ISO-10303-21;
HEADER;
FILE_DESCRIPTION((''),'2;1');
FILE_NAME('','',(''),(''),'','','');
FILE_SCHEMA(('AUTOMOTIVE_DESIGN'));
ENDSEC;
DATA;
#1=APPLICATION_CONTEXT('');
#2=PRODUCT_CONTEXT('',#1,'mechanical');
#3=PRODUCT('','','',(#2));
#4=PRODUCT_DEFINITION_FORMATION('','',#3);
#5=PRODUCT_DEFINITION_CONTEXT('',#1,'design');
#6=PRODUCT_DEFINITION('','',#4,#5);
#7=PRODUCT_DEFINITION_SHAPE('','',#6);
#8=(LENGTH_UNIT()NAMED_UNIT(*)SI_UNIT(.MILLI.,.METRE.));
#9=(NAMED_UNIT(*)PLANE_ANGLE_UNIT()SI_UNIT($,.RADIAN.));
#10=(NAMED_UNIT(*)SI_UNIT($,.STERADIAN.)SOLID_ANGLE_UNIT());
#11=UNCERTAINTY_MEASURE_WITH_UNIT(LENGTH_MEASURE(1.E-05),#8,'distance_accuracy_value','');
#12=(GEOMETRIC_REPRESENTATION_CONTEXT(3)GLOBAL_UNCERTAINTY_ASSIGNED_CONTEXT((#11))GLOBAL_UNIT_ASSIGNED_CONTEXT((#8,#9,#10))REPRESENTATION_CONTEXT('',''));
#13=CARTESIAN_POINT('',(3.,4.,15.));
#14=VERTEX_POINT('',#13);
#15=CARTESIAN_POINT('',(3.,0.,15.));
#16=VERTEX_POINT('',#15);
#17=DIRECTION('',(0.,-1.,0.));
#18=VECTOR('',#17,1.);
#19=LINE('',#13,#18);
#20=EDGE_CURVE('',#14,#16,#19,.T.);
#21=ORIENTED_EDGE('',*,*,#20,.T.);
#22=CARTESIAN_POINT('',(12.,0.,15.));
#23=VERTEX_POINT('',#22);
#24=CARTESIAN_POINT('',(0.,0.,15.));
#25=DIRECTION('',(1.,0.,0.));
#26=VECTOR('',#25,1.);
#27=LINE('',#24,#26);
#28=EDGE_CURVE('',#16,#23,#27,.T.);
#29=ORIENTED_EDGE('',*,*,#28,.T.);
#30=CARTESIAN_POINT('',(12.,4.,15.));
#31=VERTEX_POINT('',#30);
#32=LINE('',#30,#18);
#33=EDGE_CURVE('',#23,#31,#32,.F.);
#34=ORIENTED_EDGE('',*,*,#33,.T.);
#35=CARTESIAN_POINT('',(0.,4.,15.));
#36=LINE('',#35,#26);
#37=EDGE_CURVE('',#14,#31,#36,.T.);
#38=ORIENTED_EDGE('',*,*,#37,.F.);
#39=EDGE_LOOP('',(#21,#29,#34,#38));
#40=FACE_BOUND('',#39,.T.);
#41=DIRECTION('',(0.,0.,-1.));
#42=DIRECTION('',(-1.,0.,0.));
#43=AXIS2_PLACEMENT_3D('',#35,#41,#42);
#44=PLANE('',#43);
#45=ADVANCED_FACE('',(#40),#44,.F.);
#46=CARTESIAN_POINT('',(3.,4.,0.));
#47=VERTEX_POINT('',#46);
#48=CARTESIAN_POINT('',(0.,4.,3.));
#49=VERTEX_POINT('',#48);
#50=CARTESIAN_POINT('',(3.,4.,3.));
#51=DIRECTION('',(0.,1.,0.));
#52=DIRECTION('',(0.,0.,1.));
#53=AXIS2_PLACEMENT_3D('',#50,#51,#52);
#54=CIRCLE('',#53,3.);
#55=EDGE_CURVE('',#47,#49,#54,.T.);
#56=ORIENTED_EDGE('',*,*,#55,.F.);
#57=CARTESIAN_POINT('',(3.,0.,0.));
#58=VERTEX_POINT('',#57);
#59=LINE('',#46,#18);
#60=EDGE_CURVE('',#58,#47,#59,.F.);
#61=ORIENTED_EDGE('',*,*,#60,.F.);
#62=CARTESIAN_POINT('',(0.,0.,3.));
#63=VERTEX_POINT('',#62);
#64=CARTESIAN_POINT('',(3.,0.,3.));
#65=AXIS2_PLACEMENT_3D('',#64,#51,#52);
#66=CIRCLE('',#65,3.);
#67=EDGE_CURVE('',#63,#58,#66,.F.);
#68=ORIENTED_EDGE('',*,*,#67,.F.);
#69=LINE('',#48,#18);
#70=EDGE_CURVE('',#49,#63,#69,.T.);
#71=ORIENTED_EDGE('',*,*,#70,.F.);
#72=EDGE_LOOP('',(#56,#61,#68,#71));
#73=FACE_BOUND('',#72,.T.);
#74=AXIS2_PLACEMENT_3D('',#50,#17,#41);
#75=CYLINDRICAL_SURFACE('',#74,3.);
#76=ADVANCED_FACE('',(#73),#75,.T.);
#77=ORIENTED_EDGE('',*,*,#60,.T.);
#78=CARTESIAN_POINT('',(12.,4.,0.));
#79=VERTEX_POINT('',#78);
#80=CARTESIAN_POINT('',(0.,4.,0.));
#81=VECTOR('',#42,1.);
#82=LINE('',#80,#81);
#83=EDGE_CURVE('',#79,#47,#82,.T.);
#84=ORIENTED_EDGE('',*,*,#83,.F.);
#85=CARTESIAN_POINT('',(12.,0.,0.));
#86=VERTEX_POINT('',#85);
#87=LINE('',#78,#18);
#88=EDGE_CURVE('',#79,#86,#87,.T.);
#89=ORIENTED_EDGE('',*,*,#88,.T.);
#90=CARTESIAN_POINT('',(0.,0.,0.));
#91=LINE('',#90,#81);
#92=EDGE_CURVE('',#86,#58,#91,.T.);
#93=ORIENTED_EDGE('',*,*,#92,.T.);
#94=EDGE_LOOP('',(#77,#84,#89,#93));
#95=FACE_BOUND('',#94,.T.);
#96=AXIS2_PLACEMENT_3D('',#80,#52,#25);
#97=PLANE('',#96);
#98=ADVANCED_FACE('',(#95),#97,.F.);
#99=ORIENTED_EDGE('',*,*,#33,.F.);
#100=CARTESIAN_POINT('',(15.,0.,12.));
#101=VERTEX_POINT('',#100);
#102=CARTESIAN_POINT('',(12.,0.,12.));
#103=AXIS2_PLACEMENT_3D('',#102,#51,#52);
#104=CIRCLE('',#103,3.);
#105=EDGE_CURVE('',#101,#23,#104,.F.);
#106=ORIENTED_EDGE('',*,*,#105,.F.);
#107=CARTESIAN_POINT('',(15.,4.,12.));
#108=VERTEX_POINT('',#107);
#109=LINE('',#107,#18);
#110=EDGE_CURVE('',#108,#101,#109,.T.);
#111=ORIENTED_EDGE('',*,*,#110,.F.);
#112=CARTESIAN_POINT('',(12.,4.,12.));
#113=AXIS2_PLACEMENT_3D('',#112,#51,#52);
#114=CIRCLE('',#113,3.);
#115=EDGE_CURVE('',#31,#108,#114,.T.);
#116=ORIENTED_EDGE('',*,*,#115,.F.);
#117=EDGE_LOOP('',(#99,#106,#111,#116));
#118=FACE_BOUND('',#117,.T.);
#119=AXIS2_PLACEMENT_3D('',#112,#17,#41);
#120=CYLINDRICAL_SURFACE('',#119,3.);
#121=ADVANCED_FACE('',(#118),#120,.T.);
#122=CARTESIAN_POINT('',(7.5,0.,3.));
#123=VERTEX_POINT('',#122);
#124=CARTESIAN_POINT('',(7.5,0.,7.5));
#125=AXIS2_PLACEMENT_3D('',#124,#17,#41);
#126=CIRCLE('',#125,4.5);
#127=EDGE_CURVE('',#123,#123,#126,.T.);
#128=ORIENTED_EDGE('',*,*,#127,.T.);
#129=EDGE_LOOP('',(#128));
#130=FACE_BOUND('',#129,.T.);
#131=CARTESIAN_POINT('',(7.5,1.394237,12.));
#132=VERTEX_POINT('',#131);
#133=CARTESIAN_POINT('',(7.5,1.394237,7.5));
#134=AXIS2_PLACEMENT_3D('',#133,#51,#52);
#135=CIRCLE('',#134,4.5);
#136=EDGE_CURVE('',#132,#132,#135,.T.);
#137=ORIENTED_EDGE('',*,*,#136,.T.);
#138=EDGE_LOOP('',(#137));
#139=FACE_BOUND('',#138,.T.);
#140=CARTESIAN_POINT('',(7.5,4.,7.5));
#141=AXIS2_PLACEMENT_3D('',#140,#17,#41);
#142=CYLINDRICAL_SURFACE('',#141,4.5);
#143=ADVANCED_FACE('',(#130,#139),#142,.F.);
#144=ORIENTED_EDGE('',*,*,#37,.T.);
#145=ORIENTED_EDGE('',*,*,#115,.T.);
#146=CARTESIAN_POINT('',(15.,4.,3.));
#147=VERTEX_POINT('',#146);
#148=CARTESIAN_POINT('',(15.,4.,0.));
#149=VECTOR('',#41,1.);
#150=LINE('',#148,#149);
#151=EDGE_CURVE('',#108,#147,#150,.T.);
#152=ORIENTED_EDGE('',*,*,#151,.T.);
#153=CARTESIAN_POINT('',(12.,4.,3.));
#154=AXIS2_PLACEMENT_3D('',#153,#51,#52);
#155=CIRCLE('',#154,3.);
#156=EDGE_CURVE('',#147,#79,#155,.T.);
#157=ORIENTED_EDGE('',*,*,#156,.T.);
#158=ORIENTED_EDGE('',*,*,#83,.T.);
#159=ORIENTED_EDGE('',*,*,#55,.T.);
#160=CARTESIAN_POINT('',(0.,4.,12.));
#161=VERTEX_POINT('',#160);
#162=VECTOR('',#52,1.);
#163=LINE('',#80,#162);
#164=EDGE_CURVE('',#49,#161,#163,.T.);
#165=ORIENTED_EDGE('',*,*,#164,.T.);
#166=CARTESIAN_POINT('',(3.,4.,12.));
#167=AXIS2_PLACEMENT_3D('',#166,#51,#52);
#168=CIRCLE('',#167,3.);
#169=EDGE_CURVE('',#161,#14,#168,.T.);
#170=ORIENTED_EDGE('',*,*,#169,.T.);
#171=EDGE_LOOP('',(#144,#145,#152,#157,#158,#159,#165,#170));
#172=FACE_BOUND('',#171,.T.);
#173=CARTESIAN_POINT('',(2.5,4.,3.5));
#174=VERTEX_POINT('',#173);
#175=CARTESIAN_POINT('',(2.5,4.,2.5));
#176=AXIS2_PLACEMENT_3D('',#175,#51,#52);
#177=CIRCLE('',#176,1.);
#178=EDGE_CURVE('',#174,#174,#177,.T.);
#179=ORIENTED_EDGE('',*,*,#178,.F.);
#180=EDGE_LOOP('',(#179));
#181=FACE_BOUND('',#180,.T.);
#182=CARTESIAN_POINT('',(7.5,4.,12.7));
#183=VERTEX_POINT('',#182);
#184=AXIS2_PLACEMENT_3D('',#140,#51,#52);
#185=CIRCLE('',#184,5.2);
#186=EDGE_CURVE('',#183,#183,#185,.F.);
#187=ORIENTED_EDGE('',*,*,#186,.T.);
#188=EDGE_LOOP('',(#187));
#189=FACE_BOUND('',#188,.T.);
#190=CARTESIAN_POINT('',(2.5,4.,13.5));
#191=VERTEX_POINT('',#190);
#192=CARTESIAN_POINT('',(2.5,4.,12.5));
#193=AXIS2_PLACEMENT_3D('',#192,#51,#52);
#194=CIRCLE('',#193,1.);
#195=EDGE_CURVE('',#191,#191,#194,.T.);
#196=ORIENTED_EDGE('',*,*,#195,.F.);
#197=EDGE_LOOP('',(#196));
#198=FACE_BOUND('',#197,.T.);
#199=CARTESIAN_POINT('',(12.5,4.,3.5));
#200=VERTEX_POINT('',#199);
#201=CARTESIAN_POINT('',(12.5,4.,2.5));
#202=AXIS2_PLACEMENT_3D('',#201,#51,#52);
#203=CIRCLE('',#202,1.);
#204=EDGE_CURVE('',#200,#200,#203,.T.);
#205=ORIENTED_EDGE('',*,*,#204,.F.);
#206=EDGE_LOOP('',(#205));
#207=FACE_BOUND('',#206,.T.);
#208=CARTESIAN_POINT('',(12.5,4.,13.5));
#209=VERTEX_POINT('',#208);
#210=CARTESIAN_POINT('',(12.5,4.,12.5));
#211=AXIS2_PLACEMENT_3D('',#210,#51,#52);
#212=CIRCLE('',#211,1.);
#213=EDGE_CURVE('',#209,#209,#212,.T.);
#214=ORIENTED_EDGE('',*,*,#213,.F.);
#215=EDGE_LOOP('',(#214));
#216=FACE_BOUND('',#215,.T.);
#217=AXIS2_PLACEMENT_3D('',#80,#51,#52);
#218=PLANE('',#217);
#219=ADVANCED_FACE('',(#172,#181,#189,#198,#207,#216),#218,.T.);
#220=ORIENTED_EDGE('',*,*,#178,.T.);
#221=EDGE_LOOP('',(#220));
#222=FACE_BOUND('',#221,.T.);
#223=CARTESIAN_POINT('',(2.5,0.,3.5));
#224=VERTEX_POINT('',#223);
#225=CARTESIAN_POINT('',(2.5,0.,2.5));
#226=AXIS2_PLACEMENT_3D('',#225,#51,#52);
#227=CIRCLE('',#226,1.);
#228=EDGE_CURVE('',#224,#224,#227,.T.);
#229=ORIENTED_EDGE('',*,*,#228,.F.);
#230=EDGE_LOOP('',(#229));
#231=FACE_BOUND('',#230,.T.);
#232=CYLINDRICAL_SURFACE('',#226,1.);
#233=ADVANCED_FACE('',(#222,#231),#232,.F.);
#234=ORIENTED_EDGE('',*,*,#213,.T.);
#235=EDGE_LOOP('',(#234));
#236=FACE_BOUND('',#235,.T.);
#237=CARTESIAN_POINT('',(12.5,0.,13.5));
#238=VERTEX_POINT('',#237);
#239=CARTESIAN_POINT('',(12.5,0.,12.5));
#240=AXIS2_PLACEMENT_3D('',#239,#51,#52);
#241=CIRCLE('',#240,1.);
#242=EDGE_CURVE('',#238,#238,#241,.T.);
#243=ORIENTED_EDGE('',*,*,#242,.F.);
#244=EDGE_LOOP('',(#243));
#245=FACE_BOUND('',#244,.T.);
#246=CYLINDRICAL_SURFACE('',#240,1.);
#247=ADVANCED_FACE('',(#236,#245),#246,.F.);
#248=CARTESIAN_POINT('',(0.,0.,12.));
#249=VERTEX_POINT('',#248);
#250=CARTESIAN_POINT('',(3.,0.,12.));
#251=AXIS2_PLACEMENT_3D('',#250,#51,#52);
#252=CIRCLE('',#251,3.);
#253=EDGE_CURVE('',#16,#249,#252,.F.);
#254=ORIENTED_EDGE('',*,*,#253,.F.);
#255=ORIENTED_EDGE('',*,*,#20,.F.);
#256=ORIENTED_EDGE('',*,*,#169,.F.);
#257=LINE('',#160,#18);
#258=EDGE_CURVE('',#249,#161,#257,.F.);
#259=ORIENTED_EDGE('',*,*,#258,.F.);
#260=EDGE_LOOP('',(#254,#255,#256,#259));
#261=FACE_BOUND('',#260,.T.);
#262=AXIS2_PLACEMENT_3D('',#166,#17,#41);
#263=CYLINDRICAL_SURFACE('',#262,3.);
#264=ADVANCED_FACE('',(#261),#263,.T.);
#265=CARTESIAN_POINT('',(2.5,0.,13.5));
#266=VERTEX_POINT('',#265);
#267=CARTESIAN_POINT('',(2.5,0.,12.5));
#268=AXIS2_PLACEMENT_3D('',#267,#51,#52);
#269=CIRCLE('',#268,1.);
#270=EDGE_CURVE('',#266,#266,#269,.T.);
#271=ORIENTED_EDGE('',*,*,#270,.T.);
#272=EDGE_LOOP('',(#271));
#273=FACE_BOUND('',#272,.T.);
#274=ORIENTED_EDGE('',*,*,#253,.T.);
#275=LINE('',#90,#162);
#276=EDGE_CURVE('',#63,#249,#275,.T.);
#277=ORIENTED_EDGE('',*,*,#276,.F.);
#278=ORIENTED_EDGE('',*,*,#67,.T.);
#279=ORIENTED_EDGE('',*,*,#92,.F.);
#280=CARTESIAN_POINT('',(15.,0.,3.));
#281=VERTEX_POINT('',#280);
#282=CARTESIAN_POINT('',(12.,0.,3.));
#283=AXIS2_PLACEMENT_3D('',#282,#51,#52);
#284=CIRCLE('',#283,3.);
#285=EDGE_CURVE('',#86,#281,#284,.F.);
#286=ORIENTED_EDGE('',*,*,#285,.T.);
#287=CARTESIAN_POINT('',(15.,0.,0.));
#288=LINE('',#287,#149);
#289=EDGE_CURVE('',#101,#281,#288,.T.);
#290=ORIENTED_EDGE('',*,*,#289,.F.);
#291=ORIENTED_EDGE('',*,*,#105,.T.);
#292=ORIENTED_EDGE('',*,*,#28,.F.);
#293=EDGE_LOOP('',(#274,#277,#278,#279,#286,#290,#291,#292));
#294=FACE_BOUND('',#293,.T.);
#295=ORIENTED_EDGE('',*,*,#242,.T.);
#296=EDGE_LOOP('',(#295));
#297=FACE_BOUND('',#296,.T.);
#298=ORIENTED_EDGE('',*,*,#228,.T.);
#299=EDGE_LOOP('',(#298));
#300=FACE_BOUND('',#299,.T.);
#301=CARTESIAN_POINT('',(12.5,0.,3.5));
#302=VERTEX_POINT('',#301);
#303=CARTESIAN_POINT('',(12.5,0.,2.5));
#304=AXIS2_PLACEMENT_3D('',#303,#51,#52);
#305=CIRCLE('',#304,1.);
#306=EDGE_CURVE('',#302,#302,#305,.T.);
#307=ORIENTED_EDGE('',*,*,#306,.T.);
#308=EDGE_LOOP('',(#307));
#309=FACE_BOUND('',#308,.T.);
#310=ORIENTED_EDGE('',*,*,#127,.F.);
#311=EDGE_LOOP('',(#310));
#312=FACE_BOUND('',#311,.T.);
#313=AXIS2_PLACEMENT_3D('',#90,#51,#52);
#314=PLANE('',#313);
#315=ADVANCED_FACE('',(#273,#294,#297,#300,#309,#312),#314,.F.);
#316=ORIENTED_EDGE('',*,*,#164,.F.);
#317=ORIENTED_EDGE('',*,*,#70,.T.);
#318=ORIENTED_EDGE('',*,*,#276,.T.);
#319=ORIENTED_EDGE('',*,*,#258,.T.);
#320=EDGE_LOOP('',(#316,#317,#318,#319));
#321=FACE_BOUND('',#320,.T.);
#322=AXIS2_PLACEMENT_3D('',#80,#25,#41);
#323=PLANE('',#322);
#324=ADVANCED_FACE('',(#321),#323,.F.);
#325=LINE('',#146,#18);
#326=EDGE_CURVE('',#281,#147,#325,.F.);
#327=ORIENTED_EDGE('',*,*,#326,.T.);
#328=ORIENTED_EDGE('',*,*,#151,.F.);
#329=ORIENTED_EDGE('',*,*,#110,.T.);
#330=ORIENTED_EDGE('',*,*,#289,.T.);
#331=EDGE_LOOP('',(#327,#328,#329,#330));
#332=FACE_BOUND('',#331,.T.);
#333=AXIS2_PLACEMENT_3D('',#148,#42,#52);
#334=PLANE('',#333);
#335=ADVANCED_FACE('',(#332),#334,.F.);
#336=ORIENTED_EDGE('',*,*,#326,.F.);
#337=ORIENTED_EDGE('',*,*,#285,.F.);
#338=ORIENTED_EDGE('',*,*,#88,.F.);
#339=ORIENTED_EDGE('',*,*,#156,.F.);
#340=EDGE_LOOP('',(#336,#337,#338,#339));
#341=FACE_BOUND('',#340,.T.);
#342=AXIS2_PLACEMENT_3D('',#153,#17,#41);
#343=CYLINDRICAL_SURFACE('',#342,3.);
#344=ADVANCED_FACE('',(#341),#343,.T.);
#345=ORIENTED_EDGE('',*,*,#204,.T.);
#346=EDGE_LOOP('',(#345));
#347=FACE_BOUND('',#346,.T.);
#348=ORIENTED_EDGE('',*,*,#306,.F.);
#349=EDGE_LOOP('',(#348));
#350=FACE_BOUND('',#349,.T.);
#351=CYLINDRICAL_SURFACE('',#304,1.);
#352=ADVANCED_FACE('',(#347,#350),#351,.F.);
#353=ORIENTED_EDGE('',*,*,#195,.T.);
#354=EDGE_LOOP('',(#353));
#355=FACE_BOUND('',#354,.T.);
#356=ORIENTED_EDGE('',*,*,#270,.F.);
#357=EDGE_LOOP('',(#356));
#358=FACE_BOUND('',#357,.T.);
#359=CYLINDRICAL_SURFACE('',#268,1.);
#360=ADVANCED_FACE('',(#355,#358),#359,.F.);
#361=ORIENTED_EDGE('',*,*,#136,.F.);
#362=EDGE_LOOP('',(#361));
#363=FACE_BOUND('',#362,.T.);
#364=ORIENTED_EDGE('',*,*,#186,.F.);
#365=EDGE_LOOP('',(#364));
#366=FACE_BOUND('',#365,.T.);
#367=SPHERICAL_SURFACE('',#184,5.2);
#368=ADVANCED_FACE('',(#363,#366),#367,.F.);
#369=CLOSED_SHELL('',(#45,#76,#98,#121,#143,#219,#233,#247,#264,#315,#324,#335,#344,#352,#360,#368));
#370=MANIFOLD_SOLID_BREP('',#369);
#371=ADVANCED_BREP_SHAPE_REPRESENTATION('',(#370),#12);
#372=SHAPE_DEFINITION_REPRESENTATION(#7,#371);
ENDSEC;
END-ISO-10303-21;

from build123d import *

# Parameters (mm, degrees)
SKETCH1_W           = 15
SKETCH1_H           = 15
BOSS_EXTRUDE1_DEPTH = 4
SKETCH3_R           = 1
CUT_EXTRUDE1_DEPTH  = 22.587033145
SKETCH4_R           = 4.5
CUT_EXTRUDE2_DEPTH  = 22.587033145
FILLET1_R           = 3


with BuildPart() as part:
    # Sketch1 → Boss-Extrude1 (new body)
    with BuildSketch(Plane(origin=(0, 0, 0), x_dir=(1, 0, 0), z_dir=(0, 1, 0))):
        with Locations((7.5, -7.5)):
            Rectangle(SKETCH1_W, SKETCH1_H)
    extrude(amount=BOSS_EXTRUDE1_DEPTH)

    # Sketch2 → Cut-Revolve1 (revolve, cut)
    with BuildSketch(Plane(origin=(0, 4, 0), x_dir=(1, 0, 0), z_dir=(0, 1, 0))):
        with BuildLine():
            Line((12.7, -7.5), (2.3, -7.5))
            ThreePointArc((2.3, -7.5), (7.5, -12.7), (12.7, -7.5))
        make_face()
    revolve(axis=Axis((12.7, 4, 7.5), (-1, 0, 0)), mode=Mode.SUBTRACT)

    # Sketch3 → Cut-Extrude1 (cut, through all)
    with BuildSketch(Plane(origin=(0, 4, 0), x_dir=(1, 0, 0), z_dir=(0, 1, 0))):
        with Locations(Location((2.5, -12.5, 0), (0, 0, 270))):
            Circle(SKETCH3_R)
        with Locations(Location((12.5, -12.5, 0), (0, 0, 270))):
            Circle(SKETCH3_R)
        with Locations(Location((12.5, -2.5, 0), (0, 0, 270))):
            Circle(SKETCH3_R)
        with Locations(Location((2.5, -2.5, 0), (0, 0, 270))):
            Circle(SKETCH3_R)
    extrude(amount=-CUT_EXTRUDE1_DEPTH, mode=Mode.SUBTRACT)

    # Sketch4 → Cut-Extrude2 (cut, through all)
    with BuildSketch(Plane(origin=(0, 0, 0), x_dir=(-1, 0, 0), z_dir=(0, -1, 0))):
        with Locations(Location((-7.5, -7.5, 0), (0, 0, 90))):
            Circle(SKETCH4_R)
    extrude(amount=-CUT_EXTRUDE2_DEPTH, mode=Mode.SUBTRACT)

    # Fillet1
    fillet1_edges = [part.edges().sort_by_distance(p)[0] for p in [
        (0, 2, 0),
        (15, 2, 0),
        (15, 2, 15),
        (0, 2, 15),
    ]]
    fillet(fillet1_edges, radius=FILLET1_R)


solid = part.part
